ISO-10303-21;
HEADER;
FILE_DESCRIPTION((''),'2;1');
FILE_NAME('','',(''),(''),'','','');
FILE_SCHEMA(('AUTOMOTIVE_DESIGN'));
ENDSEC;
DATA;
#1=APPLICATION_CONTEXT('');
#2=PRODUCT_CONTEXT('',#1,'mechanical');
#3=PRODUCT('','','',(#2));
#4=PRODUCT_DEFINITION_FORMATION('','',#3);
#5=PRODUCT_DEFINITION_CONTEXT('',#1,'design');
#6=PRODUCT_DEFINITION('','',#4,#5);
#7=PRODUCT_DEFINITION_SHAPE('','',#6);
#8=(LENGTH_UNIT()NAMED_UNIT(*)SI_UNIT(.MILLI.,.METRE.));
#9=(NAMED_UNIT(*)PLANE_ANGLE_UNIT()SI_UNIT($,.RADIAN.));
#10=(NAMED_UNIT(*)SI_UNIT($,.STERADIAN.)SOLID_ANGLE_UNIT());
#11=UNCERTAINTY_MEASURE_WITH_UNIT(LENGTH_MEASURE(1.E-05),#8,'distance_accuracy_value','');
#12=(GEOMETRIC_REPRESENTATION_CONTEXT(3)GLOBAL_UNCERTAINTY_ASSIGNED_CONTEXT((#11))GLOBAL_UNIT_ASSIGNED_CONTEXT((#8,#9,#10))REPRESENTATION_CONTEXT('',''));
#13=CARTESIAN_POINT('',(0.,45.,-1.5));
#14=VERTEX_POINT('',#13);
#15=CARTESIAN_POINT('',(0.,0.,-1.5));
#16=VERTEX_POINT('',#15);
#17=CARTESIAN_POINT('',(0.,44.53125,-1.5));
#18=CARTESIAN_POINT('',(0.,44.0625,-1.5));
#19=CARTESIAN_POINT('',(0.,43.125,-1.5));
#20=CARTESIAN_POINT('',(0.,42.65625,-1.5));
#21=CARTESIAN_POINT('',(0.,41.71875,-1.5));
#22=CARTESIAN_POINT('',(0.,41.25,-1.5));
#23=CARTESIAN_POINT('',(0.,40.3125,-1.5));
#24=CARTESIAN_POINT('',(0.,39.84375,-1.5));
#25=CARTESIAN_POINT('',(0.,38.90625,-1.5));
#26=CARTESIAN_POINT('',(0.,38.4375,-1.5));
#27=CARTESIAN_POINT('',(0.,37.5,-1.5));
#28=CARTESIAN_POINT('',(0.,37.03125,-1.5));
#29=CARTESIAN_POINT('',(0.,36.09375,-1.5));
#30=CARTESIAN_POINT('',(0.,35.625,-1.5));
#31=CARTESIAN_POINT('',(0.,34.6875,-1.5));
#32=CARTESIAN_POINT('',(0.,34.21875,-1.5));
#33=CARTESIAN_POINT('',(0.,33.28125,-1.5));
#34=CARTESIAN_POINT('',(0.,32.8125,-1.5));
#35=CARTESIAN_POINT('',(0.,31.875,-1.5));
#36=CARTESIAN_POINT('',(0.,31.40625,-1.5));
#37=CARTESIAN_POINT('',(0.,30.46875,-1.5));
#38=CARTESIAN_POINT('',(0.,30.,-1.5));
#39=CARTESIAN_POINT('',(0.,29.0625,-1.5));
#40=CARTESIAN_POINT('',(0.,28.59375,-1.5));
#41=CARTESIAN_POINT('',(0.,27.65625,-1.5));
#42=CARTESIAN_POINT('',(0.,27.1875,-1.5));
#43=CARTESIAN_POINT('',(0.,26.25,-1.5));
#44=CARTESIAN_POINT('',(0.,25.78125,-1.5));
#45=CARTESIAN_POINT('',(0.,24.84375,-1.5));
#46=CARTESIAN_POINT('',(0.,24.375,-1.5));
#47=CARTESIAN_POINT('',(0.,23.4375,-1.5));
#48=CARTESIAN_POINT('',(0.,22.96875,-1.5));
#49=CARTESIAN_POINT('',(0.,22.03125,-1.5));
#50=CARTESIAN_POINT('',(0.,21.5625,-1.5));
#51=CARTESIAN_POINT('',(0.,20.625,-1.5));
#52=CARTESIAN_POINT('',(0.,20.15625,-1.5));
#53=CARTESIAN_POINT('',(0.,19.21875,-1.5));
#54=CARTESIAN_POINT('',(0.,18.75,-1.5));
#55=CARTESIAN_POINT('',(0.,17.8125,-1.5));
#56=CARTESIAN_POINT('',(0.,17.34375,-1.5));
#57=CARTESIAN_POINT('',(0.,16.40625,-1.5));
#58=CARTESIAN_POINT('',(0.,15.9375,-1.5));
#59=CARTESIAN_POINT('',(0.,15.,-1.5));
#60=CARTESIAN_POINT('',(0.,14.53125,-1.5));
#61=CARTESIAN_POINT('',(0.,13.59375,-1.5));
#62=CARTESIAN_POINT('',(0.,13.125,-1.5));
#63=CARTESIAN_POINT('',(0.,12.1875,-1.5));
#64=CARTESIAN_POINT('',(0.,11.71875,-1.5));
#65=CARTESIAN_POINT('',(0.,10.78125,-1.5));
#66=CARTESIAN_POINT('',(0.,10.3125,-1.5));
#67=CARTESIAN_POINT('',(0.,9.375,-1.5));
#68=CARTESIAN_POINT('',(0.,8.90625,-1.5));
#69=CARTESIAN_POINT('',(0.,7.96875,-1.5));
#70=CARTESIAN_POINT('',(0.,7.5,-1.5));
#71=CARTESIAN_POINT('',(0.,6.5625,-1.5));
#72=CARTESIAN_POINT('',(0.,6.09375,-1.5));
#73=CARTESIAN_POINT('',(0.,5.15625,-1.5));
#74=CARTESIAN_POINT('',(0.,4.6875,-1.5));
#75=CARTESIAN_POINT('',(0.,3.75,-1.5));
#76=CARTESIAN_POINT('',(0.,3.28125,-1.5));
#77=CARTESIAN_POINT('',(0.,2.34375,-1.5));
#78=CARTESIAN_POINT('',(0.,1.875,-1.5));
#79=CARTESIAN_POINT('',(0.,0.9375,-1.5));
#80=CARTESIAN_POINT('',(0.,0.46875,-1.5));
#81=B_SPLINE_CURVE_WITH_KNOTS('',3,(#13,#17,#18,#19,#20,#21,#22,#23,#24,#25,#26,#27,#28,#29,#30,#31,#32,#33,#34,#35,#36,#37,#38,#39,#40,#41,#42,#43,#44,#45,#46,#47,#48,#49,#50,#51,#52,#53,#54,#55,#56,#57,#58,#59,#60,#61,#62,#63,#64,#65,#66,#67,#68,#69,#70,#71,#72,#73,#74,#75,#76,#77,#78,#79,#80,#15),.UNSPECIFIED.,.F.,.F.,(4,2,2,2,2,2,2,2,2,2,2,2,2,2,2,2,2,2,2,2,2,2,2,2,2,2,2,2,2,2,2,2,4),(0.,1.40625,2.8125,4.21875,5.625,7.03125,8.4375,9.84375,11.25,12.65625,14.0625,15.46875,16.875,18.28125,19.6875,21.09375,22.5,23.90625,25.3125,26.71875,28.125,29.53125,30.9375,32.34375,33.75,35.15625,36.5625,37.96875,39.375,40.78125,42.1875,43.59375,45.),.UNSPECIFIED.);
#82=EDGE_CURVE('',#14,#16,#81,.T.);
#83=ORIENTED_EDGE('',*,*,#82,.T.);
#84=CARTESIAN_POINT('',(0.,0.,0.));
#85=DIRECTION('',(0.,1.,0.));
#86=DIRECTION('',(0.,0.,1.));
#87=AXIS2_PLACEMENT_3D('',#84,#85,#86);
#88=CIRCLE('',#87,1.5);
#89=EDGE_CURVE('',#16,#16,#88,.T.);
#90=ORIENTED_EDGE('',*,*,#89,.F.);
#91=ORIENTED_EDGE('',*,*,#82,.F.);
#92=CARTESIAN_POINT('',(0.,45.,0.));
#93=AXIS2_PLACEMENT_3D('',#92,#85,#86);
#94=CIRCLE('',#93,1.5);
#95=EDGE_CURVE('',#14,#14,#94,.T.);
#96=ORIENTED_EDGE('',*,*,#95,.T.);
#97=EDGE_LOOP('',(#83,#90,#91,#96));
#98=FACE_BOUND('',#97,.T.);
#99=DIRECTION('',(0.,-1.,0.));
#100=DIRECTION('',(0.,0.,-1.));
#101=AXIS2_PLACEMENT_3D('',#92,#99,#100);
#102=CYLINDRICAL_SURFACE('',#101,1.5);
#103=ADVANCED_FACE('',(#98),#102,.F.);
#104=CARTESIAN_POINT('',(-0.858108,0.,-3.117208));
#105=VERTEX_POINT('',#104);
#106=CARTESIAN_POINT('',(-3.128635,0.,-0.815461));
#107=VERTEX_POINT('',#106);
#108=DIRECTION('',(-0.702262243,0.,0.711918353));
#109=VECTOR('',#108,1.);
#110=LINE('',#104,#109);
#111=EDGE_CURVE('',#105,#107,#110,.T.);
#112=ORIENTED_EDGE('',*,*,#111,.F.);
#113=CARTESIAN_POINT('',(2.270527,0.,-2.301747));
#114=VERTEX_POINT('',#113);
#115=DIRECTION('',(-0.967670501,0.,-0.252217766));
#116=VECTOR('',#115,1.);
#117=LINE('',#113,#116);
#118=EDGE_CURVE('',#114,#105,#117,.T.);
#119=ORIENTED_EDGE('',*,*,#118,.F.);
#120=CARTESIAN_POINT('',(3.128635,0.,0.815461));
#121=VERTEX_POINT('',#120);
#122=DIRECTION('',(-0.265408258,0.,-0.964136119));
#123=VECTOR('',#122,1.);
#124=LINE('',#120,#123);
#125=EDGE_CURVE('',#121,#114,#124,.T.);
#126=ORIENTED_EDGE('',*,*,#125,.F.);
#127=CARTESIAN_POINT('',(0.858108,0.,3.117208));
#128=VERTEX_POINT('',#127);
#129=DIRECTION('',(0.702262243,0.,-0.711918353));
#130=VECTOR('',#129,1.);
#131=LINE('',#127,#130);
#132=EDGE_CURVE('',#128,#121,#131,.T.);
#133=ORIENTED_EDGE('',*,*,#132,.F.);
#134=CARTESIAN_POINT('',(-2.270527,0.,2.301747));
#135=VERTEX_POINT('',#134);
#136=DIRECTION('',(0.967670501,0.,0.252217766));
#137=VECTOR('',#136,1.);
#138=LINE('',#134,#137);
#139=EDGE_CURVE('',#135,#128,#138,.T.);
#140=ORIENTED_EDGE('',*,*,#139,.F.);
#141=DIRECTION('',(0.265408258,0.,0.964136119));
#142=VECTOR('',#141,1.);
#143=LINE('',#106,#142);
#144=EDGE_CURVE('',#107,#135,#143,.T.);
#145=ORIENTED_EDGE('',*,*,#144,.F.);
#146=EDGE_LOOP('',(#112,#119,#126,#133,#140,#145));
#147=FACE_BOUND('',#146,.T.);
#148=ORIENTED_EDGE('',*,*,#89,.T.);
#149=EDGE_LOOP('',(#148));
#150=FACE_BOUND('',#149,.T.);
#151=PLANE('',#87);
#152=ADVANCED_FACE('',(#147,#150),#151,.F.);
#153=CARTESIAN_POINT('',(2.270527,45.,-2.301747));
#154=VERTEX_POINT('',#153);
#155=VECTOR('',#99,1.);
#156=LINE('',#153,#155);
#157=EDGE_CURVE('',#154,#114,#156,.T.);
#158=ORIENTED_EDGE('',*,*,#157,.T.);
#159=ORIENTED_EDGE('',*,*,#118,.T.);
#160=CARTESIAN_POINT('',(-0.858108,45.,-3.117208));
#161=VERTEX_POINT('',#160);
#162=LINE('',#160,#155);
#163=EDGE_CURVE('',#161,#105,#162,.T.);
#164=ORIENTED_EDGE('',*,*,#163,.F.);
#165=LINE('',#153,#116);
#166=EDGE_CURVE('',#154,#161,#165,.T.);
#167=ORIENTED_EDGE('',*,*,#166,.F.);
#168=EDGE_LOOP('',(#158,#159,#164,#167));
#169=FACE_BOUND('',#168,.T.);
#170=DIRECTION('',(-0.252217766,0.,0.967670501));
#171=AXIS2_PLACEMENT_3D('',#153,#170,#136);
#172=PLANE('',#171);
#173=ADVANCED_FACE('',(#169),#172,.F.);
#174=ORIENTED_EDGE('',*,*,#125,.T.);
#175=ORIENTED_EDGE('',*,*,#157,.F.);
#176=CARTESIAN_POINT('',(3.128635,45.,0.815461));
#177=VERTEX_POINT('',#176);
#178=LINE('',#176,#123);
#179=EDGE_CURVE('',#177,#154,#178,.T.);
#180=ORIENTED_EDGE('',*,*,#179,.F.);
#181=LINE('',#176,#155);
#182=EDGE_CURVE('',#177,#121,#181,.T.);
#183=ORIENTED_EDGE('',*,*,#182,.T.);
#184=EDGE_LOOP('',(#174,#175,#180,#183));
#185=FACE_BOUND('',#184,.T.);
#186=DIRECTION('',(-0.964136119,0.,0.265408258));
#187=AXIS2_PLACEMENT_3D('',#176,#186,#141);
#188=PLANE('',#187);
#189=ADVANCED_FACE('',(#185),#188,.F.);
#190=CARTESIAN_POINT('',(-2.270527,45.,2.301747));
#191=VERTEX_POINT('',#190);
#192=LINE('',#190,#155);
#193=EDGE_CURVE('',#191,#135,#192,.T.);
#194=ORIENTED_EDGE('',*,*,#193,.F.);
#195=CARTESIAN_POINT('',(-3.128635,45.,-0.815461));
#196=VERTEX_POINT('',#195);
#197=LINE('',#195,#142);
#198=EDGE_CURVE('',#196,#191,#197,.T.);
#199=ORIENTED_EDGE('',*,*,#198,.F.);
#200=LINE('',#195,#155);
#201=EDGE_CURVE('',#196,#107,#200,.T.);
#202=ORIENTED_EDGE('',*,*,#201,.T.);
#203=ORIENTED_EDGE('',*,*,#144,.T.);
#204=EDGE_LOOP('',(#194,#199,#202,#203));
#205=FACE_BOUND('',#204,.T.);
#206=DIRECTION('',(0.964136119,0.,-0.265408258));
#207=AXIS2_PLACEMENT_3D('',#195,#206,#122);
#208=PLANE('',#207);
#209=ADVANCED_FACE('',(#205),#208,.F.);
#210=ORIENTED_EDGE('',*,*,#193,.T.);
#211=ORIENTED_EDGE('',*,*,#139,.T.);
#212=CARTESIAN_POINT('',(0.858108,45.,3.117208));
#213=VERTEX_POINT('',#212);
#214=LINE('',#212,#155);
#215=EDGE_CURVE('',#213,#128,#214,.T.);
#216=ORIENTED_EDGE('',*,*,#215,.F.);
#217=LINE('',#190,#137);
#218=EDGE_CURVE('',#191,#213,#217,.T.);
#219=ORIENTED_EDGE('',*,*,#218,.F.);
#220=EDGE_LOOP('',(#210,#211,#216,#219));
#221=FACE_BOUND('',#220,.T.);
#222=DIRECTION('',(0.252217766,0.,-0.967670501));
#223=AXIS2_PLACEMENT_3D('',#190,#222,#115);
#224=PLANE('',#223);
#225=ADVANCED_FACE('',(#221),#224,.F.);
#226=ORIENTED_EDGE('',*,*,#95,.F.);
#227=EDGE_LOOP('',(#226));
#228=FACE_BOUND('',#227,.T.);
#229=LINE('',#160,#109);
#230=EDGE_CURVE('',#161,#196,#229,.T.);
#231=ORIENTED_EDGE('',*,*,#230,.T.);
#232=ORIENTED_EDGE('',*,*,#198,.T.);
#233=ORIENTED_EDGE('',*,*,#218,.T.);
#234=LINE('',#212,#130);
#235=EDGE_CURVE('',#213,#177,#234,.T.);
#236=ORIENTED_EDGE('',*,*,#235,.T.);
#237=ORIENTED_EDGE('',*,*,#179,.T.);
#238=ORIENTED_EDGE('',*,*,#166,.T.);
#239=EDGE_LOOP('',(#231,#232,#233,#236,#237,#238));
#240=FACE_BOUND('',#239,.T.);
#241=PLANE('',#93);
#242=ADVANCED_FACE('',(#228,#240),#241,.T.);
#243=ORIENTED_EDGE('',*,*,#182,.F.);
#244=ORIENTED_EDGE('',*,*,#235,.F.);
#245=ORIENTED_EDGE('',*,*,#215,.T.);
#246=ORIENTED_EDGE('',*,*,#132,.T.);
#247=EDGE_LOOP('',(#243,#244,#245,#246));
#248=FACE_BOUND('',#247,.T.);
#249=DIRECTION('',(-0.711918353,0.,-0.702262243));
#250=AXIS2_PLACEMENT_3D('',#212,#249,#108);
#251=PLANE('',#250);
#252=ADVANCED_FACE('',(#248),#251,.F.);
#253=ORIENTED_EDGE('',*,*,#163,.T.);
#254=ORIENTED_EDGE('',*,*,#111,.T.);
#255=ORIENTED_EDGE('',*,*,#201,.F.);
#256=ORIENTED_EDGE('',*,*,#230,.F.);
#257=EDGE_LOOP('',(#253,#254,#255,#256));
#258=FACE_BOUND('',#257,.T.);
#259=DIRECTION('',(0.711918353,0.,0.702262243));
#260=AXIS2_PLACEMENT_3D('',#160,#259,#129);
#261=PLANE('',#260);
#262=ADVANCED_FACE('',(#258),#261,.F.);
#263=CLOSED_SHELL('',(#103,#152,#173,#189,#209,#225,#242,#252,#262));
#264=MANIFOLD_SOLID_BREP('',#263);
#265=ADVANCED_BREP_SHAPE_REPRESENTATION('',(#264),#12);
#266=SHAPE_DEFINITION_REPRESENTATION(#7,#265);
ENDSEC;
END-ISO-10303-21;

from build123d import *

# Parameters (mm, degrees)
SKETCH_1_R      = 1.5
EXTRUDE_1_DEPTH = 45


with BuildPart() as part:
    # 草图1 → 凸台-拉伸1 (new body)
    with BuildSketch(Plane(origin=(0, 0, 0), x_dir=(1, 0, 0), z_dir=(0, 1, 0))):
        Polygon((0.858107762, -3.117207789), (3.128635016, -0.815460773), (2.270527253, 2.301747016), (-0.858107762, 3.117207789), (-3.128635016, 0.815460773), (-2.270527253, -2.301747016), align=None)
        with Locations(Location((0, 0, 0), (0, 0, 90))):
            Circle(SKETCH_1_R, mode=Mode.SUBTRACT)
    extrude(amount=EXTRUDE_1_DEPTH)


solid = part.part
